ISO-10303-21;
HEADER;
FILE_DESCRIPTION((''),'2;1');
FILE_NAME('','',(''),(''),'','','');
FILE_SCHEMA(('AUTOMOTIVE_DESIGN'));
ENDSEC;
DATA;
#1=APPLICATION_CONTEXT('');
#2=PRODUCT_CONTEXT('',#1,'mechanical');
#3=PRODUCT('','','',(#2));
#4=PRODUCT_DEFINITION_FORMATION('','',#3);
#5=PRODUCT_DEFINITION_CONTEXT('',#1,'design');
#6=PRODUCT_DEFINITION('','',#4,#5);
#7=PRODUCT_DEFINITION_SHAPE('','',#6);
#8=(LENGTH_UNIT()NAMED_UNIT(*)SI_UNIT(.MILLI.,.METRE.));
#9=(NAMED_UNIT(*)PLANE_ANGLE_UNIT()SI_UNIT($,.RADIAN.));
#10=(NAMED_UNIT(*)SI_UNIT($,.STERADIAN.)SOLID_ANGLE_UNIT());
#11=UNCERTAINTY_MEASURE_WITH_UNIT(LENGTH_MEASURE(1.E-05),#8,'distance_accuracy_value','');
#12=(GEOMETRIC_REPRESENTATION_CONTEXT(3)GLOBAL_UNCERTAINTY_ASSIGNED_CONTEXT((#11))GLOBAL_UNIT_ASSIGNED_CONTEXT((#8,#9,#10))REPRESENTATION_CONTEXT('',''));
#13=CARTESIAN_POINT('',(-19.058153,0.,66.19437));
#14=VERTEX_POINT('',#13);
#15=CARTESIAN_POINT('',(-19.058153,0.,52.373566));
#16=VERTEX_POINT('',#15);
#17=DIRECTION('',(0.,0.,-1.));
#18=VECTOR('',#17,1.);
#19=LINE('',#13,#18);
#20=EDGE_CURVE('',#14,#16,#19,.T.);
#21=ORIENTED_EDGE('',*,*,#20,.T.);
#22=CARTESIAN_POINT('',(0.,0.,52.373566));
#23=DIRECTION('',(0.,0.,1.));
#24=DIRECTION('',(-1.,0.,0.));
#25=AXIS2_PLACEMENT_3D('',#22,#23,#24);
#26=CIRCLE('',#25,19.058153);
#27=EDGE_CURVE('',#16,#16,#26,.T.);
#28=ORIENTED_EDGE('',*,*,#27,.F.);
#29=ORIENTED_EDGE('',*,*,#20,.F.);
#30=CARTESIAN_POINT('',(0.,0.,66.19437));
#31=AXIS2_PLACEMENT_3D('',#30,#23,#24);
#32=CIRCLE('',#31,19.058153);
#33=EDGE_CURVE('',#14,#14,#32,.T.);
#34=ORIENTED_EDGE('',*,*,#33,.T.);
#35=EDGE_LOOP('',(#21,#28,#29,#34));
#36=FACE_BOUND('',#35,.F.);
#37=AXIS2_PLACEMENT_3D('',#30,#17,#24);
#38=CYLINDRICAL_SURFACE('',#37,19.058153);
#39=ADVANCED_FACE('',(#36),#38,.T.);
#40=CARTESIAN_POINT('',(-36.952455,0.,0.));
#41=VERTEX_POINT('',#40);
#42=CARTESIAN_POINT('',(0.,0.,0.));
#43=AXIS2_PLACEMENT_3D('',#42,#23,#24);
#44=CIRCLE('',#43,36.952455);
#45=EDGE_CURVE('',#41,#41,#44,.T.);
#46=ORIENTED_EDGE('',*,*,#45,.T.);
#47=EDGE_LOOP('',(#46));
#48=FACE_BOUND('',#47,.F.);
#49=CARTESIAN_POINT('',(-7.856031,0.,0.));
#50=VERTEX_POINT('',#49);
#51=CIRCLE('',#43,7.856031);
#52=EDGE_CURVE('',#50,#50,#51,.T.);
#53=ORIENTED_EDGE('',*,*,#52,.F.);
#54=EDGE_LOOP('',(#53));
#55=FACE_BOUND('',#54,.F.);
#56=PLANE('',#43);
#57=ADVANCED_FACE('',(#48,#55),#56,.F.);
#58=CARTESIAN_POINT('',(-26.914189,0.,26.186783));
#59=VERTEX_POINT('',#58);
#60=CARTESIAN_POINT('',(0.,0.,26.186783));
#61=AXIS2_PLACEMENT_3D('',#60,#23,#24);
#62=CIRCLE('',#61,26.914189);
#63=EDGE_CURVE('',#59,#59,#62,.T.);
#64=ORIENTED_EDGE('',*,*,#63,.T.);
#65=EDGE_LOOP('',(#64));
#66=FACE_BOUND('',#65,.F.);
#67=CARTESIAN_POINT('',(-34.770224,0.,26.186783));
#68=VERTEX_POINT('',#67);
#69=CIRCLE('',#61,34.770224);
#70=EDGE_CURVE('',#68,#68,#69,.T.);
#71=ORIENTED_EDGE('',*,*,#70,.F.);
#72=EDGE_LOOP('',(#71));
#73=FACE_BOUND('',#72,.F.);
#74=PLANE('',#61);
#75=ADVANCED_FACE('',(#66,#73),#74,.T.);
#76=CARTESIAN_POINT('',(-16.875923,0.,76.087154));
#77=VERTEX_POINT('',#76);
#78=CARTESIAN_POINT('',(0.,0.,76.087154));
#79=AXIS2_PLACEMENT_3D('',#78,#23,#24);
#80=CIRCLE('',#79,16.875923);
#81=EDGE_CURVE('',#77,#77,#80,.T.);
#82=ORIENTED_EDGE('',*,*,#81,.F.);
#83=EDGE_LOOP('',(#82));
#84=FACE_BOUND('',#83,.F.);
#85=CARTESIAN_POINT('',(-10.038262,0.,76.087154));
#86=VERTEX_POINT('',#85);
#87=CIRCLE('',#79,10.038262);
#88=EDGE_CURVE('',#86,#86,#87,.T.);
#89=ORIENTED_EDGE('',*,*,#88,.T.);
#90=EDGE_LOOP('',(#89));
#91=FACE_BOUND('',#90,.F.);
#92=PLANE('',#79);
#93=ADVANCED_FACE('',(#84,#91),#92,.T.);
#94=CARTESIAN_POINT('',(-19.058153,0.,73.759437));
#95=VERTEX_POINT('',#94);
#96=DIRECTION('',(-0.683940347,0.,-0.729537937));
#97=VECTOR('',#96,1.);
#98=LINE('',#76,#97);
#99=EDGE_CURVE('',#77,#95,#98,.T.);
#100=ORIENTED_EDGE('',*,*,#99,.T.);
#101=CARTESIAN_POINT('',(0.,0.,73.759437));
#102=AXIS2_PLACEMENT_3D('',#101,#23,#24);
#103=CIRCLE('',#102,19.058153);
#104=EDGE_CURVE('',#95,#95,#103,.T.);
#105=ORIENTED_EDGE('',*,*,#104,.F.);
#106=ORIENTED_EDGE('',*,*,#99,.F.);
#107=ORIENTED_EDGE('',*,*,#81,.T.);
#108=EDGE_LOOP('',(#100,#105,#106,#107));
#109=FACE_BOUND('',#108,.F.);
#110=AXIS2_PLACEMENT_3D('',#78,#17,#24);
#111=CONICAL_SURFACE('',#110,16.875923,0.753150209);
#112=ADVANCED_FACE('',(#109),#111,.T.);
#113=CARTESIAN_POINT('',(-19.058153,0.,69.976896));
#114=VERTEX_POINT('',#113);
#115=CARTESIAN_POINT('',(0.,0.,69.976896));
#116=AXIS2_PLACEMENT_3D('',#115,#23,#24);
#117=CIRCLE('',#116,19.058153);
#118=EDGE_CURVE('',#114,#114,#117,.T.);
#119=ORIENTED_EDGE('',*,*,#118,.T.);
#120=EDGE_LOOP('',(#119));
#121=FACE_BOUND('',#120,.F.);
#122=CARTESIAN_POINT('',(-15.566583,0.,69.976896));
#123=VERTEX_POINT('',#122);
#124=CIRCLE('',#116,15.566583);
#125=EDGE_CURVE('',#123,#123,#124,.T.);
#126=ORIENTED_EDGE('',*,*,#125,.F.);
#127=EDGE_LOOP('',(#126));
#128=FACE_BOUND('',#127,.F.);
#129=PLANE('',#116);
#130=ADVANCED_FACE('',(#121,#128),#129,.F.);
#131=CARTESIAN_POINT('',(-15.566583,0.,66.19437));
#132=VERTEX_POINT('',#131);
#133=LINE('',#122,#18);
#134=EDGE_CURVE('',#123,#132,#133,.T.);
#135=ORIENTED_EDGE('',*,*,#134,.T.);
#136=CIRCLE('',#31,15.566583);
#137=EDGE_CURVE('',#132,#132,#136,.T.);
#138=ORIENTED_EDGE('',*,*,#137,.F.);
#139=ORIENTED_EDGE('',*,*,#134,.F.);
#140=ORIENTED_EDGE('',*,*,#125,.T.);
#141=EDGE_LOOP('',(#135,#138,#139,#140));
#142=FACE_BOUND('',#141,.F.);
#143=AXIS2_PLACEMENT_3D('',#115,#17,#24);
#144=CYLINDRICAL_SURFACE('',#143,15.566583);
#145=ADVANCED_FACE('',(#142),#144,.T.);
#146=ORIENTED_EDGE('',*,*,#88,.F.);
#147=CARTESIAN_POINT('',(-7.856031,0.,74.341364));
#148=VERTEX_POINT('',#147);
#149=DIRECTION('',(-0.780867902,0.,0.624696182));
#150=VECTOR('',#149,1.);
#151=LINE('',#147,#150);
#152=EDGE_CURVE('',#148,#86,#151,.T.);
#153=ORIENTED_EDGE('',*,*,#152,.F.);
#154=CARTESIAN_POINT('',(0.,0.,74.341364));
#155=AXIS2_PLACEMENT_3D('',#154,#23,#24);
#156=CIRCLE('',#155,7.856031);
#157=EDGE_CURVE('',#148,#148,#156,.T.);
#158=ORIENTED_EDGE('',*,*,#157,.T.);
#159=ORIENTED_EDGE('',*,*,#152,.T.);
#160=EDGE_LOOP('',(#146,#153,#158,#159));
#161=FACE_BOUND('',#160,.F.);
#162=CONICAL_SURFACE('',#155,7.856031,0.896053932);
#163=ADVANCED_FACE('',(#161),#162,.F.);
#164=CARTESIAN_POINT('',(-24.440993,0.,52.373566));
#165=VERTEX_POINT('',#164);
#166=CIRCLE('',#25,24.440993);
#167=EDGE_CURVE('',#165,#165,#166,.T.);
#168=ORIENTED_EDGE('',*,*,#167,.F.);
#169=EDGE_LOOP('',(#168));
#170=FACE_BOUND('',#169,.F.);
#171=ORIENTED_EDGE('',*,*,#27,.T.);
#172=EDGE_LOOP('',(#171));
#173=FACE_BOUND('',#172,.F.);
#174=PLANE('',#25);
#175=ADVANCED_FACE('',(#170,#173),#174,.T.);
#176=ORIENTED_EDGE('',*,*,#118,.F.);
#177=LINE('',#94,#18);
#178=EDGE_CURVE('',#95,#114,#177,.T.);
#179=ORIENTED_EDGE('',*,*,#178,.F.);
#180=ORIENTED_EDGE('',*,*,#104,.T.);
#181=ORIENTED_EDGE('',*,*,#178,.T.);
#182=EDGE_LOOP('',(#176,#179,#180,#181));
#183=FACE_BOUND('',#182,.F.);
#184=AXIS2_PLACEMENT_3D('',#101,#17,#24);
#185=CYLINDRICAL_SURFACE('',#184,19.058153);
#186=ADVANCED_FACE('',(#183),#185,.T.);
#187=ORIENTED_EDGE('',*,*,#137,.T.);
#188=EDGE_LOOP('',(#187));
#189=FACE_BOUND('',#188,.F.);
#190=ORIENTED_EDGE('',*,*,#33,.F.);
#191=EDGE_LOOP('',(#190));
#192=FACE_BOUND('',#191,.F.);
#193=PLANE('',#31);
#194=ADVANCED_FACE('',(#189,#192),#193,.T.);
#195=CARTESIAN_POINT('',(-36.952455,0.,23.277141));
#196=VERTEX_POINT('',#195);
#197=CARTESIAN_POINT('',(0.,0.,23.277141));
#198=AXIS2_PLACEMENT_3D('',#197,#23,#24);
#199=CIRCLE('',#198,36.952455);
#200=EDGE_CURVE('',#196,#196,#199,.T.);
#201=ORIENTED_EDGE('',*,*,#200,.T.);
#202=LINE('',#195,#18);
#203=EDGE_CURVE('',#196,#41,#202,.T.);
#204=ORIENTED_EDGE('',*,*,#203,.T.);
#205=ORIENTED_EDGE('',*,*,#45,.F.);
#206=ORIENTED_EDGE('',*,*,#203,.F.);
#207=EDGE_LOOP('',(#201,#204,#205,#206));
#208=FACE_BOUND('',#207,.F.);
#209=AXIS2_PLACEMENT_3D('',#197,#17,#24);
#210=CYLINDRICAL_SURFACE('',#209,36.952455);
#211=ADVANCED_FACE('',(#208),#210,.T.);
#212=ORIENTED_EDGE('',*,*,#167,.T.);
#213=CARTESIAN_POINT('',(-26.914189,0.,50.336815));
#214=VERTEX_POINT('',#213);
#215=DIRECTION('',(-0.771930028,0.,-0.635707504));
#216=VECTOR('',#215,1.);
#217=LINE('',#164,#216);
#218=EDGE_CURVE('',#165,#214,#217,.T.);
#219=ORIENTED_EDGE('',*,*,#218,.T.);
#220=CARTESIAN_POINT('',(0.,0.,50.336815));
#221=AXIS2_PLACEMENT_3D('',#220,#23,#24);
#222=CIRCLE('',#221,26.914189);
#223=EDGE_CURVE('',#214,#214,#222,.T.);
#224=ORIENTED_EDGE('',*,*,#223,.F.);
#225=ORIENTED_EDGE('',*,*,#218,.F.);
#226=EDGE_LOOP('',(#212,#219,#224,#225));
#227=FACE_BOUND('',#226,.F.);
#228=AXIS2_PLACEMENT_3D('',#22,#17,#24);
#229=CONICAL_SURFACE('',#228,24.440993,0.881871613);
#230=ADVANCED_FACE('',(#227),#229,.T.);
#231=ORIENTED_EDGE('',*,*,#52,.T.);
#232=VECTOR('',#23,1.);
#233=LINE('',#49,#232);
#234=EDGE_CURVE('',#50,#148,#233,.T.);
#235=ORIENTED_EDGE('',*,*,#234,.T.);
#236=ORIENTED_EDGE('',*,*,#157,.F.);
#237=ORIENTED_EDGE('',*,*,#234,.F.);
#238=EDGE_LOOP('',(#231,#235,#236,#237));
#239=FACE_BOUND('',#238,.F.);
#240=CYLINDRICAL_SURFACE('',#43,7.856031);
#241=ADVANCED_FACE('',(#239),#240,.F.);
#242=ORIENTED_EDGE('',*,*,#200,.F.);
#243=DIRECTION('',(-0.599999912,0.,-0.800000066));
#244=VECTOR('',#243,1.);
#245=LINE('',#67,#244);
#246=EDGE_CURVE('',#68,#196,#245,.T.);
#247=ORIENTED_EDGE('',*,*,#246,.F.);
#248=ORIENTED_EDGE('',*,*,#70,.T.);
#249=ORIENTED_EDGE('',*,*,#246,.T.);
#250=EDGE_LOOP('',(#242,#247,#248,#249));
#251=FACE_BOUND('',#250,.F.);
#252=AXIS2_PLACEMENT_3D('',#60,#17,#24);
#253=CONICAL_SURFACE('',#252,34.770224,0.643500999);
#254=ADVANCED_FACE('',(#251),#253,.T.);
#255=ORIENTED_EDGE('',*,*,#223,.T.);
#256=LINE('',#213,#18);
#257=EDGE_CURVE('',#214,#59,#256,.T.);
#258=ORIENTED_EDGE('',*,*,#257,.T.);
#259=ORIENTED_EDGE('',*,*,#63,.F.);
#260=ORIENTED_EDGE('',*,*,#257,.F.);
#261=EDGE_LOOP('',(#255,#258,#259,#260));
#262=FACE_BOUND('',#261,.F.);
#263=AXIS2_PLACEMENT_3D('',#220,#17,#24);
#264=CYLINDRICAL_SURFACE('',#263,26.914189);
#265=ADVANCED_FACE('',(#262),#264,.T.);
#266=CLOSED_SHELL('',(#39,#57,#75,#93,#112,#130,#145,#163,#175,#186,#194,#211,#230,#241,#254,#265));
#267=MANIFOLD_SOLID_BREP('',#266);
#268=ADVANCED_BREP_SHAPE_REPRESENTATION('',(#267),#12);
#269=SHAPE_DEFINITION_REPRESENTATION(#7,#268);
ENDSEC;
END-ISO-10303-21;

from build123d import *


with BuildPart() as f1:
    # F0 (on Front) → F1 (revolve)
    with BuildSketch(Plane.XZ):
        Polygon((-36.952455, 0), (-7.856031, 0), (-7.856031, 74.341364), (-10.038262, 76.087154), (-16.875923, 76.087154), (-19.058153, 73.759437), (-19.058153, 69.976896), (-15.566583, 69.976896), (-15.566583, 66.19437), (-19.058153, 66.19437), (-19.058153, 52.373566), (-24.440993, 52.373566), (-26.914189, 50.336815), (-26.914189, 26.186783), (-34.770224, 26.186783), (-36.952455, 23.277141), align=None)
    revolve(axis=Axis((0, 0, 38.552761), (0, 0, 1)))


solid = f1.part
